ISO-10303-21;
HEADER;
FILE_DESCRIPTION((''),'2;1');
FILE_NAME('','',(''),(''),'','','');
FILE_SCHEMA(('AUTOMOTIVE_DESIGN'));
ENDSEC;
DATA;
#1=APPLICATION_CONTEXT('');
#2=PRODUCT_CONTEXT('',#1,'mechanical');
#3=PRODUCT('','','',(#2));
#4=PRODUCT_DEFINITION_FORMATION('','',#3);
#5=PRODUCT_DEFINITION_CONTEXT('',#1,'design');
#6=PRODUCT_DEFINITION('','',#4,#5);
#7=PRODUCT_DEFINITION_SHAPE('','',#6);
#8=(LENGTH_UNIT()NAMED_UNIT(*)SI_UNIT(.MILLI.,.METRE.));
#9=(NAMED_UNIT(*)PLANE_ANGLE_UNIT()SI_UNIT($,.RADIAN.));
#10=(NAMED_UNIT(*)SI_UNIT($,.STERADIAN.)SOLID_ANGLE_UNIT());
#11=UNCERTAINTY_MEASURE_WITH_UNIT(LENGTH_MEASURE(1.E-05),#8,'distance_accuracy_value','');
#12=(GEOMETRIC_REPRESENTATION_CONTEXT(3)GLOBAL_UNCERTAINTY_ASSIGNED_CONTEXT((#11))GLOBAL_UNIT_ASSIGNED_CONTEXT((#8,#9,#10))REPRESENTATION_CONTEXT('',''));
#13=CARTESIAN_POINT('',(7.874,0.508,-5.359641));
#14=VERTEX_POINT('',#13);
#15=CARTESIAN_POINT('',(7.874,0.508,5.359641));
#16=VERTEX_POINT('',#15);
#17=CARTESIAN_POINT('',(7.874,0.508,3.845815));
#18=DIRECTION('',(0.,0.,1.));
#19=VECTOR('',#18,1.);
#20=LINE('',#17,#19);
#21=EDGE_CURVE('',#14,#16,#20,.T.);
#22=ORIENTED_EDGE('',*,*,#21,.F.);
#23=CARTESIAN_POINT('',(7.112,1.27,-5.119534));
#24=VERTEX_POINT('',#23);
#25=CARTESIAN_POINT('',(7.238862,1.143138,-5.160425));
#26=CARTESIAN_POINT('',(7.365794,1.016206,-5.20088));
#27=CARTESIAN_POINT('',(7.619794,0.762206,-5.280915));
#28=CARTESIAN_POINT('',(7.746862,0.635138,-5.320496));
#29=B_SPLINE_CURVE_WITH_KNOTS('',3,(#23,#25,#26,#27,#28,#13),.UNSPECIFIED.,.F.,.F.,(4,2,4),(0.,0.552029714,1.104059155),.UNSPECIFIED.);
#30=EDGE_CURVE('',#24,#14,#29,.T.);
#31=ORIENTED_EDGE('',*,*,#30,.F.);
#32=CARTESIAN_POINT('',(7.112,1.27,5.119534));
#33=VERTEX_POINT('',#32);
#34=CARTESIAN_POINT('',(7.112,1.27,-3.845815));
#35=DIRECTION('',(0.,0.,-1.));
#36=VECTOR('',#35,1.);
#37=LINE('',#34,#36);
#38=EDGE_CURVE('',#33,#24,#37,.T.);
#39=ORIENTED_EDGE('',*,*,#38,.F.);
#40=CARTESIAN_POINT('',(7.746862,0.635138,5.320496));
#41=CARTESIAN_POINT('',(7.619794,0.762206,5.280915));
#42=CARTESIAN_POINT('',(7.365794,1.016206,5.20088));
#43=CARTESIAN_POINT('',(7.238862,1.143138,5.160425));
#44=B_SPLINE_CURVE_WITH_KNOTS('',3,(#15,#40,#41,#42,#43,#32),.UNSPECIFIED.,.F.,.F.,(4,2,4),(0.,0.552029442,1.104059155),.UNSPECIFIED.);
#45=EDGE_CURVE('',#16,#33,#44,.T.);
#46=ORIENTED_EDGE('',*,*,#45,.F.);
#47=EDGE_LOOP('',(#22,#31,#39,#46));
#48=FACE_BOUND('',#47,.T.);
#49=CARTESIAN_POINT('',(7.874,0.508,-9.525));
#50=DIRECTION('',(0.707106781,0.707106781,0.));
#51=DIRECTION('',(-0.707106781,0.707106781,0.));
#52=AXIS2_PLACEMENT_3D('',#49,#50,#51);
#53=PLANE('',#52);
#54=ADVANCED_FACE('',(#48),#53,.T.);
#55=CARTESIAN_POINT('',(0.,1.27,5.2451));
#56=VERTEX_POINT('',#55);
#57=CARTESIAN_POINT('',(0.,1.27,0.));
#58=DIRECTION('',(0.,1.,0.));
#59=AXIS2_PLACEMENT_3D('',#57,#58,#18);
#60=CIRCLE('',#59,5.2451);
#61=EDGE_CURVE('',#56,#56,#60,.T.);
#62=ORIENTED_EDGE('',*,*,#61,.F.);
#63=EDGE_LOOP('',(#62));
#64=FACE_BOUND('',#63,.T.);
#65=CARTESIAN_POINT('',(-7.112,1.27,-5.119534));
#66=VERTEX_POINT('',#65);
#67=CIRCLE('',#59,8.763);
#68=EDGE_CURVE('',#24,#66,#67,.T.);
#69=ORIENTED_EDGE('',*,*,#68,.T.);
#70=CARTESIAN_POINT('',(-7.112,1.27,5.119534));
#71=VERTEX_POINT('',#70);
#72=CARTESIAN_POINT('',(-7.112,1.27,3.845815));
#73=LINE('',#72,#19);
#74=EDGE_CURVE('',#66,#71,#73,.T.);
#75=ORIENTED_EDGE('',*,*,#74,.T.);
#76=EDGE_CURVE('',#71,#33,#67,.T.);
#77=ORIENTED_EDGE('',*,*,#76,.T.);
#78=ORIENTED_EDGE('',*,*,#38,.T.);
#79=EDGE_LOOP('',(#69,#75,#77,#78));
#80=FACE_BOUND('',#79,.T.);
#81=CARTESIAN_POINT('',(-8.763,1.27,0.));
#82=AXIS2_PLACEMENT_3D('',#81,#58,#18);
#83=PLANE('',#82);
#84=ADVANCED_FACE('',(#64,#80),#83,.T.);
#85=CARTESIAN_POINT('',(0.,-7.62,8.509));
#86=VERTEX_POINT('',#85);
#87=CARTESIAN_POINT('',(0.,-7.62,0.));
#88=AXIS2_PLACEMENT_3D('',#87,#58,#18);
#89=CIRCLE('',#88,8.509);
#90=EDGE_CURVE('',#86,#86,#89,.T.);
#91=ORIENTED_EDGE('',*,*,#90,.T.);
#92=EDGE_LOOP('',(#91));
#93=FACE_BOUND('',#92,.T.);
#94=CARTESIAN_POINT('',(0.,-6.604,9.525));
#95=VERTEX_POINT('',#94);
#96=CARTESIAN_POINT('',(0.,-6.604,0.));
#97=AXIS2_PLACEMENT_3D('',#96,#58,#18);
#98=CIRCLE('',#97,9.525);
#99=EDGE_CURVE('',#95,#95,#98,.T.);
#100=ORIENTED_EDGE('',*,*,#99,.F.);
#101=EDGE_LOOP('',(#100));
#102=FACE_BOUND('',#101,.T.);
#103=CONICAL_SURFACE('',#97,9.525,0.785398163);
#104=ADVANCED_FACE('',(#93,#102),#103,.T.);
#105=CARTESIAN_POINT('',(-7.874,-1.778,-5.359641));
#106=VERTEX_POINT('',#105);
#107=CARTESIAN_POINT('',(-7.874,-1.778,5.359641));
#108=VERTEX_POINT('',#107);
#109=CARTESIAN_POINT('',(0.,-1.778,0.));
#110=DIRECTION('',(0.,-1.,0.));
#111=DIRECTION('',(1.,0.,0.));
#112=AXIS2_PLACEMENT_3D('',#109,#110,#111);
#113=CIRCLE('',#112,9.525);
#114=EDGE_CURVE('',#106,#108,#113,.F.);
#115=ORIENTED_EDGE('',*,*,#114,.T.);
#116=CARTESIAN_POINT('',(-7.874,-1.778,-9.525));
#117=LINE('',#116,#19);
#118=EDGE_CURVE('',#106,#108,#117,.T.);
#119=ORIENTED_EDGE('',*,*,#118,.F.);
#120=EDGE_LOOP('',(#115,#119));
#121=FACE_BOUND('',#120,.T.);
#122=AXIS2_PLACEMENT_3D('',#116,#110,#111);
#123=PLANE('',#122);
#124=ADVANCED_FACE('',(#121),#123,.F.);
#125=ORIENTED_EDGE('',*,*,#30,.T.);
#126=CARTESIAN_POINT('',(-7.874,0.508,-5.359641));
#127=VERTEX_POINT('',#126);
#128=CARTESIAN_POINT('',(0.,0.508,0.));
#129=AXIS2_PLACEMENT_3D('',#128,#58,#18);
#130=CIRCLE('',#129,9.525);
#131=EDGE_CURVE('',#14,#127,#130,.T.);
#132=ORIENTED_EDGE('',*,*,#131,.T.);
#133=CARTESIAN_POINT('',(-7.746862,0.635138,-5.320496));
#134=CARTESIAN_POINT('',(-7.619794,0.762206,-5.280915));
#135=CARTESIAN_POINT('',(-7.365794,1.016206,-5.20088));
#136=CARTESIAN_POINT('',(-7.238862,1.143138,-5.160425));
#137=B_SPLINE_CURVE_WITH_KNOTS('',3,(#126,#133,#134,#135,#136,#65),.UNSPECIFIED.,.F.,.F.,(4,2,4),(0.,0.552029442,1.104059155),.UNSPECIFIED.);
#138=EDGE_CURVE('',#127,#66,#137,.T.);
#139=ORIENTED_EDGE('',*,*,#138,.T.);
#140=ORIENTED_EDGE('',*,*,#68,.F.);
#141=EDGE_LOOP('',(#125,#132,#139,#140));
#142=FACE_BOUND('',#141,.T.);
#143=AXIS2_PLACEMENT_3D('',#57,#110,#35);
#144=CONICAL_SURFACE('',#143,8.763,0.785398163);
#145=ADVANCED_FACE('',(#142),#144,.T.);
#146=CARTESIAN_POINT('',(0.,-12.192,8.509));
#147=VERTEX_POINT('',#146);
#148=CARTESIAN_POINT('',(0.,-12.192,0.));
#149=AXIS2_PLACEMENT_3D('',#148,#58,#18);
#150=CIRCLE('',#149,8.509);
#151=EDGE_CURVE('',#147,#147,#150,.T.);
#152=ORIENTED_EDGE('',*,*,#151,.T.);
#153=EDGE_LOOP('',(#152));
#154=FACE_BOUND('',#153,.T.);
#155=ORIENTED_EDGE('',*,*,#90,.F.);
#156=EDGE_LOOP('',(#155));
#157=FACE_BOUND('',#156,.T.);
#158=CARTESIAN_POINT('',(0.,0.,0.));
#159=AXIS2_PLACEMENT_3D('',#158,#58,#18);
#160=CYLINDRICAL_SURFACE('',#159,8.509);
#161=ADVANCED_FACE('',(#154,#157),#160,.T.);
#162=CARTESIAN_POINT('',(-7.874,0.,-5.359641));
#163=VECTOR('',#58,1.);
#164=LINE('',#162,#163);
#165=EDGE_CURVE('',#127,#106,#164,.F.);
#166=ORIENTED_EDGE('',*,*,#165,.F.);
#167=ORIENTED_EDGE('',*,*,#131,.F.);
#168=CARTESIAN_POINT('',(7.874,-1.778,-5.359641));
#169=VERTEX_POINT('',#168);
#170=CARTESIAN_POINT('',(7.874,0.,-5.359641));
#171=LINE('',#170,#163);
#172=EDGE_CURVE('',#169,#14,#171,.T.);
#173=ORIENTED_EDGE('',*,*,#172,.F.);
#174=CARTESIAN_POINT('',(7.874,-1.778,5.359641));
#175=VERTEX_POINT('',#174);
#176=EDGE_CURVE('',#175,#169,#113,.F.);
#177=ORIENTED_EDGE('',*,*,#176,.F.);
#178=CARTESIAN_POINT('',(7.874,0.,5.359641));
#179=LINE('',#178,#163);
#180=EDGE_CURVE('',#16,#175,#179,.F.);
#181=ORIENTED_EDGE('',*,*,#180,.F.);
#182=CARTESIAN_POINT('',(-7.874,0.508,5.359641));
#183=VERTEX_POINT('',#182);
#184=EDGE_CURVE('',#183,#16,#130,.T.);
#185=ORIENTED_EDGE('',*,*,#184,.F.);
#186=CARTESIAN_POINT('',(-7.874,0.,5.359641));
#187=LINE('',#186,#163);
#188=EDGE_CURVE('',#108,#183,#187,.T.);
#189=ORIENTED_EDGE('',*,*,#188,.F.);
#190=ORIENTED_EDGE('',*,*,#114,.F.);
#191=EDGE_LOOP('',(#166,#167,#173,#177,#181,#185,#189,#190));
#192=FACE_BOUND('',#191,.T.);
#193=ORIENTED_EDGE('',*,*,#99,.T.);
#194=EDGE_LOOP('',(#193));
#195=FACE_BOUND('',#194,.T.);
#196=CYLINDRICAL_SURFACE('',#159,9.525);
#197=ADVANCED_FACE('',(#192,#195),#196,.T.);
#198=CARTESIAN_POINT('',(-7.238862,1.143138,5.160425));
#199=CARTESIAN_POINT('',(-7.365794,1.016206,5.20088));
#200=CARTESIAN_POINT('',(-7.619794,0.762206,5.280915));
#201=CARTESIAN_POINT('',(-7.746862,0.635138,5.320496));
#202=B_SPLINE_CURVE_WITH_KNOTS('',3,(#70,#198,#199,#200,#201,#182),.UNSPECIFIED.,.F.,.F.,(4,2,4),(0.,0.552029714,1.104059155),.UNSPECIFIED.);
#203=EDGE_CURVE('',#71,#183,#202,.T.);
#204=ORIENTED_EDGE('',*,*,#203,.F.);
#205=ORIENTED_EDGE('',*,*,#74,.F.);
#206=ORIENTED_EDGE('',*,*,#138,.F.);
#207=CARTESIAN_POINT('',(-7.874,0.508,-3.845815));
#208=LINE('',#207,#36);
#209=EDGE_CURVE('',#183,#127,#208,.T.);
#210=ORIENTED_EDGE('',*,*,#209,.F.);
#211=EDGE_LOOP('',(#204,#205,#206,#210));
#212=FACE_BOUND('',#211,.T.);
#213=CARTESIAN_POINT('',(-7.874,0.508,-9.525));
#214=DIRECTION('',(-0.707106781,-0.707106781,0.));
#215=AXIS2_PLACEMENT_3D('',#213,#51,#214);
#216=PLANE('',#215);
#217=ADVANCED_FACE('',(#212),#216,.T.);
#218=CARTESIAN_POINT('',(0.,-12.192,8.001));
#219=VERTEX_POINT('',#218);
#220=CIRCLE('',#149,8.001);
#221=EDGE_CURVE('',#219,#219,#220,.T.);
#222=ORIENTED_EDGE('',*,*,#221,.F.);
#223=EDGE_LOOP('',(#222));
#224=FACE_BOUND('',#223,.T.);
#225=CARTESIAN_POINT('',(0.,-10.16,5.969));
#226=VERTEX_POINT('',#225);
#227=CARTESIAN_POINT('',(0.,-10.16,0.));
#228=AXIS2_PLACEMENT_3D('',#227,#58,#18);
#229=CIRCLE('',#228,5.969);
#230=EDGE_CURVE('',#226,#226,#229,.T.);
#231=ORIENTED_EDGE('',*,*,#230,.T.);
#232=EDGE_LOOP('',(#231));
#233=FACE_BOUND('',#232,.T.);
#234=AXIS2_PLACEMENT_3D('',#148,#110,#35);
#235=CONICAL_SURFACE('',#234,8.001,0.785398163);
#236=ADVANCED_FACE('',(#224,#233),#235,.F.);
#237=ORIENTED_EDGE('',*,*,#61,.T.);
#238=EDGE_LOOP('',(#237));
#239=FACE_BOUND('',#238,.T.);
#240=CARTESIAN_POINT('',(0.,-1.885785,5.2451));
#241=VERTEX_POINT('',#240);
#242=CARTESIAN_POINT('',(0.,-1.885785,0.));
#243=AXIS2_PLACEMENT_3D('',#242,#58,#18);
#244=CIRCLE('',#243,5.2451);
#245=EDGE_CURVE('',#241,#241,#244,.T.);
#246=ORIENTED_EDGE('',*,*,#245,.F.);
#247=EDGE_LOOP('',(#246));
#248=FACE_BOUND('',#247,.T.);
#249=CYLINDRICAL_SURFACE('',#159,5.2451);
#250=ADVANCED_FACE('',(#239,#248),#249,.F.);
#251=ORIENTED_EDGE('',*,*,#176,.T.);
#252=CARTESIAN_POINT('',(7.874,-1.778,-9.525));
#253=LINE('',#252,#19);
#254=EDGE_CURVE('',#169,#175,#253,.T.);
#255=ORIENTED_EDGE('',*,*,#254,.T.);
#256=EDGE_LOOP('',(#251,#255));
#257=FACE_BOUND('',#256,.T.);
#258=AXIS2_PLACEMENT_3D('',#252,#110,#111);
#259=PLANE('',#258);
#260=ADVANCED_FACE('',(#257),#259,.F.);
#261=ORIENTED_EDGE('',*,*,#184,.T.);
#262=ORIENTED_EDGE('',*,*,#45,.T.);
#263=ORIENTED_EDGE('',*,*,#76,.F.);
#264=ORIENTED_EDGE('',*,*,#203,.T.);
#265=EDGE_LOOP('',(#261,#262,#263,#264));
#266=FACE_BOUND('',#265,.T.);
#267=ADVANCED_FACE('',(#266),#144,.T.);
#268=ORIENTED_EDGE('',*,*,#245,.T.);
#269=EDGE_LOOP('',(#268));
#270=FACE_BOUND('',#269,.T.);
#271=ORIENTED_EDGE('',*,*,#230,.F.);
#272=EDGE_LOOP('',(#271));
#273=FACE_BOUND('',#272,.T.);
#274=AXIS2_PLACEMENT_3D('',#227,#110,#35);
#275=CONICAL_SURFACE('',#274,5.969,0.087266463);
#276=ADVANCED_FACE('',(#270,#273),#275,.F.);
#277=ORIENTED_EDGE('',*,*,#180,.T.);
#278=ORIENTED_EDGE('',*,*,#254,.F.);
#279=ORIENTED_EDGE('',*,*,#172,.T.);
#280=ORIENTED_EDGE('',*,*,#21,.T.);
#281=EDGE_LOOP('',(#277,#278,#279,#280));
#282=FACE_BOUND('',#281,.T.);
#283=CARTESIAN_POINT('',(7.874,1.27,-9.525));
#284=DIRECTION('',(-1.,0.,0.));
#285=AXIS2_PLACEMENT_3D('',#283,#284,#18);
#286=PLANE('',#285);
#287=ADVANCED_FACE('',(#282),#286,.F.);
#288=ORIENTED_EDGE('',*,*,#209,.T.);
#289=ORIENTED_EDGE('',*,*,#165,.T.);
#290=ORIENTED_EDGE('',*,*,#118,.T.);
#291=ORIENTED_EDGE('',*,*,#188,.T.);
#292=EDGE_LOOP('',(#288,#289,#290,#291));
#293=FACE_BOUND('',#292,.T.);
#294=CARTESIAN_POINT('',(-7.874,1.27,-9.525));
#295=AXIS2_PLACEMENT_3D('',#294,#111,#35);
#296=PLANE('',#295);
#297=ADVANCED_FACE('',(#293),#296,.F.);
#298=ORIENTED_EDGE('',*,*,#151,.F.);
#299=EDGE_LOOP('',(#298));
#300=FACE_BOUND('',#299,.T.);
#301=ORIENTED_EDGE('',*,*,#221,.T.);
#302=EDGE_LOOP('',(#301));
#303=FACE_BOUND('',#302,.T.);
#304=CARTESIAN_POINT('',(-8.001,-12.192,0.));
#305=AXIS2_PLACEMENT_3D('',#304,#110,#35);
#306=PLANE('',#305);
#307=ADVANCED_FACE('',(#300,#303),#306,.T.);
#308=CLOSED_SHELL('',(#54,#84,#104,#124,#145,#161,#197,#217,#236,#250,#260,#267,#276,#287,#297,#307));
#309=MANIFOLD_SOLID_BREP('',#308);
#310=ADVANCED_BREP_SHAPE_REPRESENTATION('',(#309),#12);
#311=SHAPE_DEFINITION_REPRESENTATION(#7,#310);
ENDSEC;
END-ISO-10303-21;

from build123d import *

# Parameters (mm, degrees)
SKETCH2_W               = 1.651
SKETCH2_H               = 3.048
CUT_EXTRUDE1_DEPTH      = 10.525
CUT_EXTRUDE1_DEPTH_BACK = 10.525
CHAMFER1_SIZE           = 0.762


with BuildPart() as part:
    # Sketch1 → Revolve1 (revolve)
    with BuildSketch(Plane.XY):
        Polygon((-5.2451, -1.885785138), (-5.969, -10.16), (-8.001, -12.192), (-8.509, -12.192), (-8.509, -7.62), (-9.525, -6.604), (-9.525, 0.508), (-8.763, 1.27), (-5.2451, 1.27), (-5.2451, 0), align=None)
    revolve(axis=Axis((0, 0, 0), (0, -1, 0)))

    # Sketch2 → Cut-Extrude1 (cut, two sides)
    with BuildSketch(Plane.XY) as cut_extrude1_sk:
        with Locations((-8.6995, -0.254)):
            Rectangle(SKETCH2_W, SKETCH2_H)
        with Locations((8.6995, -0.254)):
            Rectangle(SKETCH2_W, SKETCH2_H)
    extrude(amount=CUT_EXTRUDE1_DEPTH, mode=Mode.SUBTRACT)
    extrude(cut_extrude1_sk.sketch, amount=-CUT_EXTRUDE1_DEPTH_BACK, mode=Mode.SUBTRACT)

    # Chamfer1
    chamfer1_edges = [part.edges().sort_by_distance(p)[0] for p in [
        (7.874, 1.27, 0),
        (-7.874, 1.27, 0),
    ]]
    chamfer(chamfer1_edges, length=CHAMFER1_SIZE)


solid = part.part
